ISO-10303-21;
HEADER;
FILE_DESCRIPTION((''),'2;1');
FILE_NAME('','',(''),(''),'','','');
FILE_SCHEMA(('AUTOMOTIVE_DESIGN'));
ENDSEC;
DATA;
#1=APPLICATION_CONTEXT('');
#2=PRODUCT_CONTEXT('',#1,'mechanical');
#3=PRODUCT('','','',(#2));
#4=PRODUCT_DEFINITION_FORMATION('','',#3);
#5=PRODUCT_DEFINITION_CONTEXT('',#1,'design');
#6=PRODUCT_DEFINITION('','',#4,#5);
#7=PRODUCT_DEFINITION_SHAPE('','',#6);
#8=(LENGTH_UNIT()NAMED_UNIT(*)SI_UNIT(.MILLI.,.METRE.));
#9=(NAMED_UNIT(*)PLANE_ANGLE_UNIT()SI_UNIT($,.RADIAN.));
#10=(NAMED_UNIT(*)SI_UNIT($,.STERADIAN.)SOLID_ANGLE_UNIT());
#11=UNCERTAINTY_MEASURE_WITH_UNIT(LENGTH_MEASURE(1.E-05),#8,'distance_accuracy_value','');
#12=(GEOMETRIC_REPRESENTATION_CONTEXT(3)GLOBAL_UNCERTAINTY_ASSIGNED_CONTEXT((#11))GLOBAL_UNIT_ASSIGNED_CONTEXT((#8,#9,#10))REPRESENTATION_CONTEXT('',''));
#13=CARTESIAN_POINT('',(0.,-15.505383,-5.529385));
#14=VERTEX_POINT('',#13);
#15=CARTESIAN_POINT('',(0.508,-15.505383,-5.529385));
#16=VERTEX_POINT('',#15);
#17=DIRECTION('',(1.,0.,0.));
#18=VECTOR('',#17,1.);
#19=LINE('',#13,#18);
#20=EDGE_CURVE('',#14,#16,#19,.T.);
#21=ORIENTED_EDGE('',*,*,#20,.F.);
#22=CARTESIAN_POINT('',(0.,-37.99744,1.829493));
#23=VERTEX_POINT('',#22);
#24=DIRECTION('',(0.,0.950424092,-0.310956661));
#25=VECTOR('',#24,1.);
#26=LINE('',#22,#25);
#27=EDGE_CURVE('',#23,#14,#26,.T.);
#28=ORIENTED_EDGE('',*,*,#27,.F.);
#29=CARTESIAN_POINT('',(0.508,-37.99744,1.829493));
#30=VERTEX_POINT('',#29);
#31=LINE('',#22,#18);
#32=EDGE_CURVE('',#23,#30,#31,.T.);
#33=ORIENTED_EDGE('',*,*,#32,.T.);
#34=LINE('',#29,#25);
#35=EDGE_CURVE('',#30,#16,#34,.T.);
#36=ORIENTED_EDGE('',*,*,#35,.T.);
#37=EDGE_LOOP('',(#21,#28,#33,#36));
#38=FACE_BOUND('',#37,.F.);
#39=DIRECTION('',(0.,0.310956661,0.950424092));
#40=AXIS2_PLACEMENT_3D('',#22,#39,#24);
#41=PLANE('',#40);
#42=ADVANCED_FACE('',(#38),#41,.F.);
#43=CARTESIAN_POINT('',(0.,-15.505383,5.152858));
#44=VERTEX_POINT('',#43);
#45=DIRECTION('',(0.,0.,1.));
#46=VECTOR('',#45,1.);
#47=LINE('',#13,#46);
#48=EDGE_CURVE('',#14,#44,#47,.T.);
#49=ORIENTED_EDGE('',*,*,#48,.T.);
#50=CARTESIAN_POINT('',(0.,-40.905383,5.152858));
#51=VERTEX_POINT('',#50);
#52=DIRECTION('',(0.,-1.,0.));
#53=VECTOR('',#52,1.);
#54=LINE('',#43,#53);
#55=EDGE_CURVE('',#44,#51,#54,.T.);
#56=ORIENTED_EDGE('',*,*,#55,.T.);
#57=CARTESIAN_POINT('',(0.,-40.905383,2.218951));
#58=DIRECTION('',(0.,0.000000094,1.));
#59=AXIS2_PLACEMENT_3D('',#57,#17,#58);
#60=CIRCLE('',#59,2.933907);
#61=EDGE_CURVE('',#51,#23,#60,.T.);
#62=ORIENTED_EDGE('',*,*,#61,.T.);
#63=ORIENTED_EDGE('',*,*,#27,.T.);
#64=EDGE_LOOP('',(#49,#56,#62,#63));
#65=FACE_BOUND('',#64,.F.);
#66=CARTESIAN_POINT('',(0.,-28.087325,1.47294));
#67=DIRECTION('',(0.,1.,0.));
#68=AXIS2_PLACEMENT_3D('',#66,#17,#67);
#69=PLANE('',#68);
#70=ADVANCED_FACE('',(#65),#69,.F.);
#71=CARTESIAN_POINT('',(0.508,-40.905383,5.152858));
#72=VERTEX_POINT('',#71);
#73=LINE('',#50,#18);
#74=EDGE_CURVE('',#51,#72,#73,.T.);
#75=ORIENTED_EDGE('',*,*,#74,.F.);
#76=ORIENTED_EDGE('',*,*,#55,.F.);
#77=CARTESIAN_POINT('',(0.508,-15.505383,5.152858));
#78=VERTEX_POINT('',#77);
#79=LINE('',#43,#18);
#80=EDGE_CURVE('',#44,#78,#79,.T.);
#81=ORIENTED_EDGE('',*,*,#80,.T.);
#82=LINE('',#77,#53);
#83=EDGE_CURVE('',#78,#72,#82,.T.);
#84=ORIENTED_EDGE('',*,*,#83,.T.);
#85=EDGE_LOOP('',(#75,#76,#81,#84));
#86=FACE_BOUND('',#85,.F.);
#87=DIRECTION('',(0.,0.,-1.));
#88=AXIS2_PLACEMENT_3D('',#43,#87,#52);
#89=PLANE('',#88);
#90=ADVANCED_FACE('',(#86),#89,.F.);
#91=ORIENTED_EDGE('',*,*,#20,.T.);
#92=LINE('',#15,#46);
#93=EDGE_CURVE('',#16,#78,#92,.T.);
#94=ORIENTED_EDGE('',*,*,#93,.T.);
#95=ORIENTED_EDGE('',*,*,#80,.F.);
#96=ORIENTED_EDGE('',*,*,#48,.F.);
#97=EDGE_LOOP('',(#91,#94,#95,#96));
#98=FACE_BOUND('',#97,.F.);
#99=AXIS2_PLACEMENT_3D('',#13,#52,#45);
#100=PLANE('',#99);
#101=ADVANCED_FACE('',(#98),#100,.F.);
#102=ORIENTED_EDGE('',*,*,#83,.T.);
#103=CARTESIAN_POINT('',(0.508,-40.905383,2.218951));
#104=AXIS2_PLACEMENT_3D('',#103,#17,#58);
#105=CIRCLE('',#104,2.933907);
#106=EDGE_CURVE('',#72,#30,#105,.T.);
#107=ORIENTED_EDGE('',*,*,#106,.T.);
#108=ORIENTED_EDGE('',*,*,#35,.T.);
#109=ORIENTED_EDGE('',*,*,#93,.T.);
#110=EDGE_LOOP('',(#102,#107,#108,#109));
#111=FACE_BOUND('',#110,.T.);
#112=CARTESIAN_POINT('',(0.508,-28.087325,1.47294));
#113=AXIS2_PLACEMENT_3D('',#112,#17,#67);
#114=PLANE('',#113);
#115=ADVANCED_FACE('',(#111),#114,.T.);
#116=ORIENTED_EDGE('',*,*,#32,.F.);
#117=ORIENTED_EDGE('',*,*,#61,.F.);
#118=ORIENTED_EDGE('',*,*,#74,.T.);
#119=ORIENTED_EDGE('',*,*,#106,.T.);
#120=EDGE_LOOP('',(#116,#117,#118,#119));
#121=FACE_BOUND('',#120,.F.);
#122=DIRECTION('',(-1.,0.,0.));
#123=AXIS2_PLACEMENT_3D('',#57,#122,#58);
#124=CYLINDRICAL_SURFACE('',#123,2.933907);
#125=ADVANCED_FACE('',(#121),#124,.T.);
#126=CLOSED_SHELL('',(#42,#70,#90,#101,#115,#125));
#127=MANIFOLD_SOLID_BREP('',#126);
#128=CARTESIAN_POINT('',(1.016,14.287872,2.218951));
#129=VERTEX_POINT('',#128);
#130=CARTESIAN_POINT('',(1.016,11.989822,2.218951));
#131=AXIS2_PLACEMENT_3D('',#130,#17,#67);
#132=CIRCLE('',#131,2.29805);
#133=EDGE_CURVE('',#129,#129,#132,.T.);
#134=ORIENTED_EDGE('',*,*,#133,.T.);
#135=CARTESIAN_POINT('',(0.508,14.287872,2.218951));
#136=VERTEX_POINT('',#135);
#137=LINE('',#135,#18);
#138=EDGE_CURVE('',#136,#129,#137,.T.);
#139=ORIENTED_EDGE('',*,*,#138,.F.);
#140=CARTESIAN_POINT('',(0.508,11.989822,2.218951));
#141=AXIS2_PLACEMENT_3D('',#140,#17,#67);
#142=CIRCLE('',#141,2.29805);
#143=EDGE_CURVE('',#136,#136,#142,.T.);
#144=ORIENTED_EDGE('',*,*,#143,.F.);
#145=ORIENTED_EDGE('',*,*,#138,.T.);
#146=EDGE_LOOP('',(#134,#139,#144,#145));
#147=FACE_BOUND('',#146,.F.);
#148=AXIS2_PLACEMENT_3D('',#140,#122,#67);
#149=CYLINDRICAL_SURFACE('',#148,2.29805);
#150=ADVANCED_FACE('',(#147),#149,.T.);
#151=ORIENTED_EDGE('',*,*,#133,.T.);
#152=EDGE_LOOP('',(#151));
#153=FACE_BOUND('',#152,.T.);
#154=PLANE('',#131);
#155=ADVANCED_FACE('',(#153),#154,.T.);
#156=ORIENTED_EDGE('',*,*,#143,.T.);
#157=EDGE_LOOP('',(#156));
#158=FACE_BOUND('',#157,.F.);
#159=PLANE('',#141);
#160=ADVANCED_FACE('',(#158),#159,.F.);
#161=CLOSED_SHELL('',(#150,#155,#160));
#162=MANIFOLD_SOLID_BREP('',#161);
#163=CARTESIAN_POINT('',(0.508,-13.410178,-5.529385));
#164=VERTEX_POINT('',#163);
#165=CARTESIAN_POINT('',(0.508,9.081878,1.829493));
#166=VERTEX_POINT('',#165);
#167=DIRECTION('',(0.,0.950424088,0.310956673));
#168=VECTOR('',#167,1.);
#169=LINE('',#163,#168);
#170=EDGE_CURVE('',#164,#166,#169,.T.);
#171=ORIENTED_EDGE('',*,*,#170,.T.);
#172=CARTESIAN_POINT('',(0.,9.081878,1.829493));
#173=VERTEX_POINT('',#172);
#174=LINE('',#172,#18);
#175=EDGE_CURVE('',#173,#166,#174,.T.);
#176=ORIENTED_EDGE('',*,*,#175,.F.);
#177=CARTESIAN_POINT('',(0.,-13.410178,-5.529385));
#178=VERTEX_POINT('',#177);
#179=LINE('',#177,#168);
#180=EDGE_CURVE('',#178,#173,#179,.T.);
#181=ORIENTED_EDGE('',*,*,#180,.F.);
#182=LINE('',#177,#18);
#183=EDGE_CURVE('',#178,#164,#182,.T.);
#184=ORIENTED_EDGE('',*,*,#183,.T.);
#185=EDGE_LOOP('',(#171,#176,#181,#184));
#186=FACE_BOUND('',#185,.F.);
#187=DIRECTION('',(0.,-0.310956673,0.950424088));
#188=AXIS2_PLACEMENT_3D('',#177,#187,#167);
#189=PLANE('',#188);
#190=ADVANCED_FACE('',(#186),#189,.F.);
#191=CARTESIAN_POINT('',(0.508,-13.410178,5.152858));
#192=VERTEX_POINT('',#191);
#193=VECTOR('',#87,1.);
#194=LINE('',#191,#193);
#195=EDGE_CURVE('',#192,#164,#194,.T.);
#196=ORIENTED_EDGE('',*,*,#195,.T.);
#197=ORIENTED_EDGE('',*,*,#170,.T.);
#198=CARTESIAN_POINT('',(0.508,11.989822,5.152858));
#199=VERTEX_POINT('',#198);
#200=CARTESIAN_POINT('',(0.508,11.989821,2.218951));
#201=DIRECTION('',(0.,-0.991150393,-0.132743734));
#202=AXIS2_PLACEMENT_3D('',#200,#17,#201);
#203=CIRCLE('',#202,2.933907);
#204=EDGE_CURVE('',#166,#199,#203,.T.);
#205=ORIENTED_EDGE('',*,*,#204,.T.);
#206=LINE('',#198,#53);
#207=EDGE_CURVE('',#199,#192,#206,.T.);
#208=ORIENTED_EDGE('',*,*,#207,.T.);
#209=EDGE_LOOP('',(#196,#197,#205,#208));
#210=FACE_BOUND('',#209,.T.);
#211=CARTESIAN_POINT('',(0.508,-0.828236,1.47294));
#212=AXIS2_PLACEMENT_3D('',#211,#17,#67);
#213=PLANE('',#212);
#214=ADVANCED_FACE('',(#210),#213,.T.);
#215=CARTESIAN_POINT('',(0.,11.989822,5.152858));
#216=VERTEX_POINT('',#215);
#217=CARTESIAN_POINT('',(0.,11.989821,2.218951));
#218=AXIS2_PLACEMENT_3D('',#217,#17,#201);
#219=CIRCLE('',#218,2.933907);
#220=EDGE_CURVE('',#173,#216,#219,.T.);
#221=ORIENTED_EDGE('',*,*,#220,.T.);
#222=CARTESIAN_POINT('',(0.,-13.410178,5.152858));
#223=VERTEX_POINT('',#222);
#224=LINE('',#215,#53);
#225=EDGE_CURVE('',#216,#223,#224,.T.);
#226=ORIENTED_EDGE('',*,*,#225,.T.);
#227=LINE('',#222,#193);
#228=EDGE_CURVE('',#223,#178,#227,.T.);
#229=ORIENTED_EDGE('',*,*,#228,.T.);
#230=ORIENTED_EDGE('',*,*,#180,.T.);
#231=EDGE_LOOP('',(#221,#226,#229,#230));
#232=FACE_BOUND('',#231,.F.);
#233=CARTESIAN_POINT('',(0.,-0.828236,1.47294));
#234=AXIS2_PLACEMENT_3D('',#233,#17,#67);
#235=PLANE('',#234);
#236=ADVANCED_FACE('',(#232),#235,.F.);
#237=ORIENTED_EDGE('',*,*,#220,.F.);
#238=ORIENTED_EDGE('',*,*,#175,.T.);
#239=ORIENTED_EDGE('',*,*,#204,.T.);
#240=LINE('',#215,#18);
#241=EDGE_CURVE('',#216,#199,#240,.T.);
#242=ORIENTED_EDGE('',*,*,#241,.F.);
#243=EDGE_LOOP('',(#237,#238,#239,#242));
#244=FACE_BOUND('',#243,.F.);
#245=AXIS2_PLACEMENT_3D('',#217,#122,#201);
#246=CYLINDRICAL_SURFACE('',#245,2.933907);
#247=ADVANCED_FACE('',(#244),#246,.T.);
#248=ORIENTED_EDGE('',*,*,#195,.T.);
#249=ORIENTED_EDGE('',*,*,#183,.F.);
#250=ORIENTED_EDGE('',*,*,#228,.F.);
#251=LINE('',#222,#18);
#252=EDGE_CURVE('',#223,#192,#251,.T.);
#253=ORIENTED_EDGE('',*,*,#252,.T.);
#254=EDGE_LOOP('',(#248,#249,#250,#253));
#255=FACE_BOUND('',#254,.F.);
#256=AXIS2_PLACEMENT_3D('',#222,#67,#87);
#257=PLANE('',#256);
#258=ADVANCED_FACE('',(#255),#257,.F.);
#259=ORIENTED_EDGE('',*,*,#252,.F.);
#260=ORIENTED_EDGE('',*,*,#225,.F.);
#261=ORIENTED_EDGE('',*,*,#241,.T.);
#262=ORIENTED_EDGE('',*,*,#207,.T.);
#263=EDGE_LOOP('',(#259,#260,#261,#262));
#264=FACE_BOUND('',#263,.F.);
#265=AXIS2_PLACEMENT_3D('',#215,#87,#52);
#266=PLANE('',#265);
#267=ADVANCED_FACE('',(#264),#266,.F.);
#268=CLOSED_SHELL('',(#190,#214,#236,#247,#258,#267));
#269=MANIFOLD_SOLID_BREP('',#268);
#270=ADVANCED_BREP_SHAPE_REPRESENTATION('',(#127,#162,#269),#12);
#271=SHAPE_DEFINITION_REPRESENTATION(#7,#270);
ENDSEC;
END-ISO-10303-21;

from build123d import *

# Parameters (mm, degrees)
F1_DEPTH = 0.508
F2_R     = 2.29805
F3_DEPTH = 0.508


with BuildPart() as f1:
    # F0 (on Right) → F1 (new body)
    with BuildSketch(Plane.YZ):
        with BuildLine():
            Line((11.989822, 5.152858), (-13.410178, 5.152858))
            Line((-13.410178, 5.152858), (-13.410178, -5.529385))
            Line((-13.410178, -5.529385), (9.081878, 1.829493))
            ThreePointArc((9.081878, 1.829493), (14.197812, 0.28696), (11.989822, 5.152858))
        make_face()
        with BuildLine():
            Line((-15.505383, -5.529385), (-15.505383, 5.152858))
            Line((-15.505383, 5.152858), (-40.905383, 5.152858))
            ThreePointArc((-40.905383, 5.152858), (-43.113374, 0.28696), (-37.99744, 1.829493))
            Line((-37.99744, 1.829493), (-15.505383, -5.529385))
        make_face()
    extrude(amount=F1_DEPTH)


with BuildPart() as f3:
    # F2 (on face) → F3 (new body)
    with BuildSketch(Plane.YZ.offset(0.508)):
        with Locations((11.989822, 2.218951)):
            Circle(F2_R)
    extrude(amount=F3_DEPTH)


solid = Compound([f1.part, f3.part])
